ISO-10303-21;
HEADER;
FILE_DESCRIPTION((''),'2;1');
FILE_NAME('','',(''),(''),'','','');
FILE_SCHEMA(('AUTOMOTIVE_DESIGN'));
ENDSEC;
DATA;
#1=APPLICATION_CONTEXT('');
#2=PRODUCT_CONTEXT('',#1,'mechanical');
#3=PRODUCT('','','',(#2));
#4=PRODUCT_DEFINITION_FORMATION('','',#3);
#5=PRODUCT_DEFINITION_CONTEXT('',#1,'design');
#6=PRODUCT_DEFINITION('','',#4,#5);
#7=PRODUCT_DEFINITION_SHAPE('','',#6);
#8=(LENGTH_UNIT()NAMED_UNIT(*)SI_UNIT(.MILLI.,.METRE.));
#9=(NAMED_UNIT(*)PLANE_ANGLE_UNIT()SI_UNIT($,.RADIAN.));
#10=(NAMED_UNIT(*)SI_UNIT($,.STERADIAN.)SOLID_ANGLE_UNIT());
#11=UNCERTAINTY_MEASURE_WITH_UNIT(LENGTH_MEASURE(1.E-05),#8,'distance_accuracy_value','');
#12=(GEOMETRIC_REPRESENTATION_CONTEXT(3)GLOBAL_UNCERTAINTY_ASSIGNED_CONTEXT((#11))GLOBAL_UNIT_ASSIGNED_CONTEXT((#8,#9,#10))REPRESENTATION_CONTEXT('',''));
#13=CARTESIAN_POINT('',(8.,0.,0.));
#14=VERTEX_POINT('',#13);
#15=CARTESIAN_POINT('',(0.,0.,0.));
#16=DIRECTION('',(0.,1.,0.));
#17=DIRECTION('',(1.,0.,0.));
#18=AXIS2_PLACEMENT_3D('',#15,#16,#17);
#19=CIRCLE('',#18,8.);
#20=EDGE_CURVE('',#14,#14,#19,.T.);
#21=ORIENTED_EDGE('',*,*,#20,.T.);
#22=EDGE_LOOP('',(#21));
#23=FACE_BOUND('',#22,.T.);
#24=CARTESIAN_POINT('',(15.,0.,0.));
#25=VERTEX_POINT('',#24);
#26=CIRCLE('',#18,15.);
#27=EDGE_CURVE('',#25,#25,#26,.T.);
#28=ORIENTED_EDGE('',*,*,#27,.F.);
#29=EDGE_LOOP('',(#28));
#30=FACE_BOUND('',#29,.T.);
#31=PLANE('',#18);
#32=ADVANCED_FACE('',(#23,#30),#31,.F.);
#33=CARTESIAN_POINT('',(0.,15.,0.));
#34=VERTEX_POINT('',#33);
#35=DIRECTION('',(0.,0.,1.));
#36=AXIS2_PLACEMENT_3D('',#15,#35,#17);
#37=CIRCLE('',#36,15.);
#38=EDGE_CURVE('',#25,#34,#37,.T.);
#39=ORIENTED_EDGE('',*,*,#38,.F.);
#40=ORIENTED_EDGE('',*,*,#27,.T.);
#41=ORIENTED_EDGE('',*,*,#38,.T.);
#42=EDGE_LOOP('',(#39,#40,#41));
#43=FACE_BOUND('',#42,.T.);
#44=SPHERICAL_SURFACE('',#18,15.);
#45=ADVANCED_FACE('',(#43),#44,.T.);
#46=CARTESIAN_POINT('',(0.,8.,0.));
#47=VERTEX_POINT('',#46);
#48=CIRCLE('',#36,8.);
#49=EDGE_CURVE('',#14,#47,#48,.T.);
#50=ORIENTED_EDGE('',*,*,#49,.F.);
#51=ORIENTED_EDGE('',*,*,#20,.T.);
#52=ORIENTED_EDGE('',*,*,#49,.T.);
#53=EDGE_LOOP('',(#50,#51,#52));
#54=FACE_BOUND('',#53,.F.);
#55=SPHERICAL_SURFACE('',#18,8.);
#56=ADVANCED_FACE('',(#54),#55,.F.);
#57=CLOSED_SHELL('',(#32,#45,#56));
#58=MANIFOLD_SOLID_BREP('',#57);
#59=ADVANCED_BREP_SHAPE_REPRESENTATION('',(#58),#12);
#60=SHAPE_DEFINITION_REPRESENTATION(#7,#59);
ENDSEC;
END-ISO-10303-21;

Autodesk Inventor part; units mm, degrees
ref_plane "YZ Plane" through (0, 0, 0) normal (1, 0, 0) x (0, 1, 0)
ref_plane "XZ Plane" through (0, 0, 0) normal (0, 1, 0) x (-1, 0, 0)
ref_plane "XY Plane" through (0, 0, 0) normal (0, 0, 1) x (1, 0, 0)
sketch "Sketch1" plane through (0, 0, 0) normal (0, 0, 1) x (1, 0, 0)
  line L0 (0, 0) -> (0, 15)
  line L1 (0, 0) -> (15, 0)
  arc A0 (15, 0) -> (0, 15) centre (0, 0) ccw
  line L2 (0, -3.6213) -> (0, 21.7279) projected
  dimension "d2" = 15
revolve "Revolution1" add sketch "Sketch1" angle 360 about axis through (0, -10, 0) along (0, 1, 0)
shell "Shell2" thickness 7 removed faces 1 at (4.7094, 0, 0)
properties part number "Ball_Half Sphere 3" material "ABS Plastic"
